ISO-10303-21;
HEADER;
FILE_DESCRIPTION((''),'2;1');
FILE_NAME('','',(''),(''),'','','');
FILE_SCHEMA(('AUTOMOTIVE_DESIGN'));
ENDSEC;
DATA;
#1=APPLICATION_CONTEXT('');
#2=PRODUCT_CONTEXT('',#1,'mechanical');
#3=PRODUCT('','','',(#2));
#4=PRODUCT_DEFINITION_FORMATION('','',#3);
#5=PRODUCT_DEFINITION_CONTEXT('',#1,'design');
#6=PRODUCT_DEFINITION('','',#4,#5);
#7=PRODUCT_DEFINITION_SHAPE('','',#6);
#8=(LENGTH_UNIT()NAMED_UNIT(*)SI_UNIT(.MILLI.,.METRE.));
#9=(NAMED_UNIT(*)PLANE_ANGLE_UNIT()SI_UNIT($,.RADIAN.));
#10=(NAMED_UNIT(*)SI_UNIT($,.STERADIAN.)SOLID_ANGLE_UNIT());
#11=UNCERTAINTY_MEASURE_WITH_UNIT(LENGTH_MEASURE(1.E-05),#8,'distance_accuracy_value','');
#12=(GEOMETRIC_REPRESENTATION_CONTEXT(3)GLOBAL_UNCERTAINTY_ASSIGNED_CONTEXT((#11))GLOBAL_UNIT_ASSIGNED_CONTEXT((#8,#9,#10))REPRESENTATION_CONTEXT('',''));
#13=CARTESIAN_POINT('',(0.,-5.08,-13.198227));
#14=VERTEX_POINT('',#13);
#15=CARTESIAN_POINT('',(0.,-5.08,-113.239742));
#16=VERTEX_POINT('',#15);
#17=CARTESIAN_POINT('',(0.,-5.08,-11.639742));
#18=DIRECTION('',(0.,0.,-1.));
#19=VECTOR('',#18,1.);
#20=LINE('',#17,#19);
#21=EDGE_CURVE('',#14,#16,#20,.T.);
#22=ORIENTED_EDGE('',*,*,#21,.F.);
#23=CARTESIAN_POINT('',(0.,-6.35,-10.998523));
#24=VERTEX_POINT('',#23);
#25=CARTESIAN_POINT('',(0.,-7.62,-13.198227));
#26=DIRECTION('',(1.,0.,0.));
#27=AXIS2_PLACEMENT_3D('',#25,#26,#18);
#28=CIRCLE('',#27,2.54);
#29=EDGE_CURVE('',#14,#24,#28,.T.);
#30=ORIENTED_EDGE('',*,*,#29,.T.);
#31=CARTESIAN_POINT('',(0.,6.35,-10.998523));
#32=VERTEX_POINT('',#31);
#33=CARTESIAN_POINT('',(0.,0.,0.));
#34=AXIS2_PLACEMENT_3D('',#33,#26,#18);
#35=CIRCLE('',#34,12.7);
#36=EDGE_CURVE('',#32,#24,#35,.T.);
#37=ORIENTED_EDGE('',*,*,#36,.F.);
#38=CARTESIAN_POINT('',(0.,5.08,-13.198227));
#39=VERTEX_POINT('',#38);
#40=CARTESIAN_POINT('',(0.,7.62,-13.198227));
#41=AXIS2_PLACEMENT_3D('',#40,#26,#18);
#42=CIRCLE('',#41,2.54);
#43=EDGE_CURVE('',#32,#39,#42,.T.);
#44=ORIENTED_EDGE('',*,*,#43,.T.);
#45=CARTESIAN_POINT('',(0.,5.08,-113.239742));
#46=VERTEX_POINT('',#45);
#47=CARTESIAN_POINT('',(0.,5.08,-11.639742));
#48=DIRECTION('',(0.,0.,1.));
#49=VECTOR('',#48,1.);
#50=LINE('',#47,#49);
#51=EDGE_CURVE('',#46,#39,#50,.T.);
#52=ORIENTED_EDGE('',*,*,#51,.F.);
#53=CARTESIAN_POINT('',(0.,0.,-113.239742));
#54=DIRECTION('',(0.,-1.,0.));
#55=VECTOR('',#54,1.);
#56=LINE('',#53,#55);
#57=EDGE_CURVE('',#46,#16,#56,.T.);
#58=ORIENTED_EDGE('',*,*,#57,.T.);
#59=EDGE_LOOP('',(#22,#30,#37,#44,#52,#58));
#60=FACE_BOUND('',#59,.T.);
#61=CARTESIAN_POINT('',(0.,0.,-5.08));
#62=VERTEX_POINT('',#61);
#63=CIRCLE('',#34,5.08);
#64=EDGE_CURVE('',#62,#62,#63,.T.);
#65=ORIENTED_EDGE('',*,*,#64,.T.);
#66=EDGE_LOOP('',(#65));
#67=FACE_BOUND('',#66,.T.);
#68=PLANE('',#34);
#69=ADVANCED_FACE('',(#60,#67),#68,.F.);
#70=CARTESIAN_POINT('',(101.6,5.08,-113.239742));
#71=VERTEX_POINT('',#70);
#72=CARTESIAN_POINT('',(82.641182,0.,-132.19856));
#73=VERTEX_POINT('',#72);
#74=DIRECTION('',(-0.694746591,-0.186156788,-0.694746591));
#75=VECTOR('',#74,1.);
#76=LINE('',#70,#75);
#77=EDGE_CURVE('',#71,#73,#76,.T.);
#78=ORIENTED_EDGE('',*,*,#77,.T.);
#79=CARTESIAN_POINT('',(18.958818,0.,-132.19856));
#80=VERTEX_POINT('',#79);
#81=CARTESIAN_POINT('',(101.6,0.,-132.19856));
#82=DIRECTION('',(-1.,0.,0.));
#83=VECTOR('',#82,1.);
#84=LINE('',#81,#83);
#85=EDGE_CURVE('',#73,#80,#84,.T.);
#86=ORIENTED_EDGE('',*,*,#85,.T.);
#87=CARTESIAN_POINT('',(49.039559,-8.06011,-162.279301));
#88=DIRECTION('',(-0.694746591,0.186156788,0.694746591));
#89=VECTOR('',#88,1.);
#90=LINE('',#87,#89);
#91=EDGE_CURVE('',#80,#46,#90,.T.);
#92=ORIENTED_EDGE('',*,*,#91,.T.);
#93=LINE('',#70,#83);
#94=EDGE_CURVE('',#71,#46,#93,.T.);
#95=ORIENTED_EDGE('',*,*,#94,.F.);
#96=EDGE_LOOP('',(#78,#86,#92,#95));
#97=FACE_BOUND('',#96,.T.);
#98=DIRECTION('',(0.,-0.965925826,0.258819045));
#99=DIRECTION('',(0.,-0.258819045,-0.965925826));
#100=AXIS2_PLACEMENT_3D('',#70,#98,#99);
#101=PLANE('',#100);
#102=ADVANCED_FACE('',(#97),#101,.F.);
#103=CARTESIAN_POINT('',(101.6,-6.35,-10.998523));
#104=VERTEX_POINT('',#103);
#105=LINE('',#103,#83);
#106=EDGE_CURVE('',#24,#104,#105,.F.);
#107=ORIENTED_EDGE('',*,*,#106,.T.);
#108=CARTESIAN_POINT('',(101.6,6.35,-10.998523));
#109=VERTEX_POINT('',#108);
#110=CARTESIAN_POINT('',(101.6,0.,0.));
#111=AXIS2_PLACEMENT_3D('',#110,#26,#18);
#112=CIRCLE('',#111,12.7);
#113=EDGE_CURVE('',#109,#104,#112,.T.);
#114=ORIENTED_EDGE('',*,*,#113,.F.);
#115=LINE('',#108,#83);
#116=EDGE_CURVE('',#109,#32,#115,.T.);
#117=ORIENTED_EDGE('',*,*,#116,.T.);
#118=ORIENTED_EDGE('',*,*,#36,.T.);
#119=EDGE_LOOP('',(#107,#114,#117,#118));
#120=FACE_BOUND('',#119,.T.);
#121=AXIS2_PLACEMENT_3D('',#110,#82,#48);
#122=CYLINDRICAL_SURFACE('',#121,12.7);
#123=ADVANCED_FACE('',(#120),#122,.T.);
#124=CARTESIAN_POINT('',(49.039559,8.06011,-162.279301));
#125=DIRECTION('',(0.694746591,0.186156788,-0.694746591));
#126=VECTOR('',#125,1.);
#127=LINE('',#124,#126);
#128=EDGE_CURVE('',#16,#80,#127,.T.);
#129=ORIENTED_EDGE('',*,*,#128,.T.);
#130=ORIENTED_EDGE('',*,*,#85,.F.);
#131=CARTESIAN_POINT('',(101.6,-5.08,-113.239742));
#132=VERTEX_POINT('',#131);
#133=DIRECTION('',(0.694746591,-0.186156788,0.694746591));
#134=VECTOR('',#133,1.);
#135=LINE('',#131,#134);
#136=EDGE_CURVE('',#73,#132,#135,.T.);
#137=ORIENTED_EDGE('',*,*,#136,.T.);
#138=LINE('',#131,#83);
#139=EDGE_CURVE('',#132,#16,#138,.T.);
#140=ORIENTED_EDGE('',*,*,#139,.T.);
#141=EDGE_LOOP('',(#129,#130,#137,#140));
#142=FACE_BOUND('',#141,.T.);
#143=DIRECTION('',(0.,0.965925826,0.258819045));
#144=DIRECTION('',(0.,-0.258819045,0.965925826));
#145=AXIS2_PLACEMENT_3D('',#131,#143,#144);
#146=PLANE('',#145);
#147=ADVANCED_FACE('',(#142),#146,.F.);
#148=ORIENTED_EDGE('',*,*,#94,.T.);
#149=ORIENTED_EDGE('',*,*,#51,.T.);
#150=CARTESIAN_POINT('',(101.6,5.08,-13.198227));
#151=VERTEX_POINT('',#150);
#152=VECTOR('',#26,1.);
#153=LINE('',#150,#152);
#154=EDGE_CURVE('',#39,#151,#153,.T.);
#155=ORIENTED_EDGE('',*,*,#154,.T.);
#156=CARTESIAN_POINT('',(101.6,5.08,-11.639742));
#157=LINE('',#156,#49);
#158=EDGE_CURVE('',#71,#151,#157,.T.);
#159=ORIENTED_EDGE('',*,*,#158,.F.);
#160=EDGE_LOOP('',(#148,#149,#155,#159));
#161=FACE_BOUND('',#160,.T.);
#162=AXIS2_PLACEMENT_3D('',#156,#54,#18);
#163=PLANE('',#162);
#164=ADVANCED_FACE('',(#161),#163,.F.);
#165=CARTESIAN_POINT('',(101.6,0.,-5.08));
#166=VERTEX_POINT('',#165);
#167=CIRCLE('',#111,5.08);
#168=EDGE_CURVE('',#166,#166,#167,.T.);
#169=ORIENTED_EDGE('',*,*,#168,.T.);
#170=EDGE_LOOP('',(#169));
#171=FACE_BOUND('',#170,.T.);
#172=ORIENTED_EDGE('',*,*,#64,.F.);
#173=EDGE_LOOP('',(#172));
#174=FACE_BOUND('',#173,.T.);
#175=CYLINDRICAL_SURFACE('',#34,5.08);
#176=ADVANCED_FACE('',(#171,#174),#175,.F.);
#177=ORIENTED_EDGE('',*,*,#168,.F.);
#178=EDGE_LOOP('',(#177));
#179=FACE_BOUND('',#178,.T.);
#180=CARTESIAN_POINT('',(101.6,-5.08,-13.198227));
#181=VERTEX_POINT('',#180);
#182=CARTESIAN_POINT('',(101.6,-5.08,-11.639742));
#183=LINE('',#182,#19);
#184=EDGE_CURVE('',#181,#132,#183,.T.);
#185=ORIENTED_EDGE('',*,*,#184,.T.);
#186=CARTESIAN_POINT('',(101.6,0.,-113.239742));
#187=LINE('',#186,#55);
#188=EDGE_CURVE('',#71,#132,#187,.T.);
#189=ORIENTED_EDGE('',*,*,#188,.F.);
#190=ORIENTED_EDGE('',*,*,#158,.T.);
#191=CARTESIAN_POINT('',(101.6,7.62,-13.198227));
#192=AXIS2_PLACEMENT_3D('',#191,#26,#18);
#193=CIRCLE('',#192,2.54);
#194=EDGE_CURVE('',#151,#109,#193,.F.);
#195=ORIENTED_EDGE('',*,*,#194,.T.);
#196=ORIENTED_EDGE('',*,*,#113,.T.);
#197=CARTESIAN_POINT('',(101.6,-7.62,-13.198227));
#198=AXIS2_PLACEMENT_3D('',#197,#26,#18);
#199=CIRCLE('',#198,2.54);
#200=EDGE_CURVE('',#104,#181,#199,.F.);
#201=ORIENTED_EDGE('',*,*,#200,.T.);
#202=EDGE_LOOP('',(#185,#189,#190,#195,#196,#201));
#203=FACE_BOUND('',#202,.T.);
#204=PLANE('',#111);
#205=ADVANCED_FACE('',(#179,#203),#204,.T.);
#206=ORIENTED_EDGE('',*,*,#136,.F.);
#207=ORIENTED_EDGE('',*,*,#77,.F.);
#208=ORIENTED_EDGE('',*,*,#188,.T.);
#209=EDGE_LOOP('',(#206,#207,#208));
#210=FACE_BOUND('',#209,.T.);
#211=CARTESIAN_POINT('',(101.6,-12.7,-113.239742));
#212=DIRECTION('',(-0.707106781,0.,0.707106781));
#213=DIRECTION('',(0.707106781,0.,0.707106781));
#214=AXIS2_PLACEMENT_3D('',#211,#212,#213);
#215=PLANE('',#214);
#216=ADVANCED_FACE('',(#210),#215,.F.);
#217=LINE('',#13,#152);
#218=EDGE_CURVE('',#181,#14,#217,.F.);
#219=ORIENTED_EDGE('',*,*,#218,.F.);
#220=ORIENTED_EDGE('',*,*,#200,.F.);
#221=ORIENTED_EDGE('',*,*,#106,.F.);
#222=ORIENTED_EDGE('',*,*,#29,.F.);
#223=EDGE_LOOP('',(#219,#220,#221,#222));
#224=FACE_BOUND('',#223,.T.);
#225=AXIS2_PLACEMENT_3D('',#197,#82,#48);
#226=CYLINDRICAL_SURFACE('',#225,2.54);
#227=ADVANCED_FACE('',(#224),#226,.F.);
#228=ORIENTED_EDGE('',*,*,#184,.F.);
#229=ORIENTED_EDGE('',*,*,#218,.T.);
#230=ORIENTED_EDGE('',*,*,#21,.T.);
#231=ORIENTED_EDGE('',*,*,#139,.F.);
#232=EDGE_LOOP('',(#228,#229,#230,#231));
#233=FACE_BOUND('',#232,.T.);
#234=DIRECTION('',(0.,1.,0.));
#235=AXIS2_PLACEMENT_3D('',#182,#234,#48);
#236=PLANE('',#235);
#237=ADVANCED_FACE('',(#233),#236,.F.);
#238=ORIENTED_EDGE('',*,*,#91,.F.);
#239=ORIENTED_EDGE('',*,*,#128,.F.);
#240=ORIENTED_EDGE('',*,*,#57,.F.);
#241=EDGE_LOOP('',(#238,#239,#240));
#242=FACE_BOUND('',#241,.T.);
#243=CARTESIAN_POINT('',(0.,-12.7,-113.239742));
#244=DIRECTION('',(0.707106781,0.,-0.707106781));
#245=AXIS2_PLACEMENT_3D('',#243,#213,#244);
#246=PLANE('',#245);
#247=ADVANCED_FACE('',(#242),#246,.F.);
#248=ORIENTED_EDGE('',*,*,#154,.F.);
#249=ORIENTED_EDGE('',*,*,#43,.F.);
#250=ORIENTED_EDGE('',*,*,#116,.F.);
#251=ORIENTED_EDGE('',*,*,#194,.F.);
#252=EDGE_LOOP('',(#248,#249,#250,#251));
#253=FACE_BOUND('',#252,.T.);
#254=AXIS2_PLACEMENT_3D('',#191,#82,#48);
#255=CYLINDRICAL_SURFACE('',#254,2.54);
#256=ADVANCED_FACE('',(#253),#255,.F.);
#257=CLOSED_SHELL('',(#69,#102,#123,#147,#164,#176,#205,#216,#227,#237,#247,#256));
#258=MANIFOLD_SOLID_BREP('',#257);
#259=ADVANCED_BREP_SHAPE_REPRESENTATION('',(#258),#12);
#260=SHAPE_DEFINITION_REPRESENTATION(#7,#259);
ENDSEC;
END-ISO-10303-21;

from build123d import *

# Parameters (mm, degrees)
BOSS_EXTRUDE1_DEPTH     = 101.6
SKETCH5_R               = 5.08
CUT_EXTRUDE4_DEPTH      = 168.213364787
CUT_EXTRUDE5_DEPTH      = 168.213364787
CUT_EXTRUDE5_DEPTH_BACK = 168.213364787
FILLET1_R               = 2.54


with BuildPart() as part:
    # Sketch1 → Boss-Extrude1 (new body)
    with BuildSketch(Plane(origin=(0, 0, 0), x_dir=(0, 0, -1), z_dir=(1, 0, 0))):
        with BuildLine():
            Line((11.639742265, -5.08), (113.239742265, -5.08))
            Line((113.239742265, -5.08), (132.198560368, 0))
            Line((132.198560368, 0), (113.239742265, 5.08))
            Line((113.239742265, 5.08), (11.639742265, 5.08))
            ThreePointArc((11.639742265, 5.08), (-12.7, 0), (11.639742265, -5.08))
        make_face()
    extrude(amount=BOSS_EXTRUDE1_DEPTH)

    # Sketch5 → Cut-Extrude4 (cut, through all)
    with BuildSketch(Plane(origin=(101.6, 0, 0), x_dir=(0, 0, -1), z_dir=(1, 0, 0))):
        Circle(SKETCH5_R)
    extrude(amount=-CUT_EXTRUDE4_DEPTH, mode=Mode.SUBTRACT)

    # Sketch6 → Cut-Extrude5 (cut, two sides: drawn at the far end of the back side and taken through both)
    with BuildSketch(Plane(origin=(0, 0, 0), x_dir=(1, 0, 0), z_dir=(0, 1, 0)).offset(-CUT_EXTRUDE5_DEPTH_BACK)):
        Polygon((0, 132.198560368), (0, 113.239742265), (18.958818102, 132.198560368), align=None)
        Polygon((101.6, 132.198560368), (101.6, 113.239742265), (82.641181898, 132.198560368), align=None)
    extrude(amount=CUT_EXTRUDE5_DEPTH + CUT_EXTRUDE5_DEPTH_BACK, mode=Mode.SUBTRACT)

    # Fillet1
    fillet1_edges = [part.edges().sort_by_distance(p)[0] for p in [
        (50.8, 5.08, -11.639742265),
        (50.8, -5.08, -11.639742265),
    ]]
    fillet(fillet1_edges, radius=FILLET1_R)


solid = part.part
